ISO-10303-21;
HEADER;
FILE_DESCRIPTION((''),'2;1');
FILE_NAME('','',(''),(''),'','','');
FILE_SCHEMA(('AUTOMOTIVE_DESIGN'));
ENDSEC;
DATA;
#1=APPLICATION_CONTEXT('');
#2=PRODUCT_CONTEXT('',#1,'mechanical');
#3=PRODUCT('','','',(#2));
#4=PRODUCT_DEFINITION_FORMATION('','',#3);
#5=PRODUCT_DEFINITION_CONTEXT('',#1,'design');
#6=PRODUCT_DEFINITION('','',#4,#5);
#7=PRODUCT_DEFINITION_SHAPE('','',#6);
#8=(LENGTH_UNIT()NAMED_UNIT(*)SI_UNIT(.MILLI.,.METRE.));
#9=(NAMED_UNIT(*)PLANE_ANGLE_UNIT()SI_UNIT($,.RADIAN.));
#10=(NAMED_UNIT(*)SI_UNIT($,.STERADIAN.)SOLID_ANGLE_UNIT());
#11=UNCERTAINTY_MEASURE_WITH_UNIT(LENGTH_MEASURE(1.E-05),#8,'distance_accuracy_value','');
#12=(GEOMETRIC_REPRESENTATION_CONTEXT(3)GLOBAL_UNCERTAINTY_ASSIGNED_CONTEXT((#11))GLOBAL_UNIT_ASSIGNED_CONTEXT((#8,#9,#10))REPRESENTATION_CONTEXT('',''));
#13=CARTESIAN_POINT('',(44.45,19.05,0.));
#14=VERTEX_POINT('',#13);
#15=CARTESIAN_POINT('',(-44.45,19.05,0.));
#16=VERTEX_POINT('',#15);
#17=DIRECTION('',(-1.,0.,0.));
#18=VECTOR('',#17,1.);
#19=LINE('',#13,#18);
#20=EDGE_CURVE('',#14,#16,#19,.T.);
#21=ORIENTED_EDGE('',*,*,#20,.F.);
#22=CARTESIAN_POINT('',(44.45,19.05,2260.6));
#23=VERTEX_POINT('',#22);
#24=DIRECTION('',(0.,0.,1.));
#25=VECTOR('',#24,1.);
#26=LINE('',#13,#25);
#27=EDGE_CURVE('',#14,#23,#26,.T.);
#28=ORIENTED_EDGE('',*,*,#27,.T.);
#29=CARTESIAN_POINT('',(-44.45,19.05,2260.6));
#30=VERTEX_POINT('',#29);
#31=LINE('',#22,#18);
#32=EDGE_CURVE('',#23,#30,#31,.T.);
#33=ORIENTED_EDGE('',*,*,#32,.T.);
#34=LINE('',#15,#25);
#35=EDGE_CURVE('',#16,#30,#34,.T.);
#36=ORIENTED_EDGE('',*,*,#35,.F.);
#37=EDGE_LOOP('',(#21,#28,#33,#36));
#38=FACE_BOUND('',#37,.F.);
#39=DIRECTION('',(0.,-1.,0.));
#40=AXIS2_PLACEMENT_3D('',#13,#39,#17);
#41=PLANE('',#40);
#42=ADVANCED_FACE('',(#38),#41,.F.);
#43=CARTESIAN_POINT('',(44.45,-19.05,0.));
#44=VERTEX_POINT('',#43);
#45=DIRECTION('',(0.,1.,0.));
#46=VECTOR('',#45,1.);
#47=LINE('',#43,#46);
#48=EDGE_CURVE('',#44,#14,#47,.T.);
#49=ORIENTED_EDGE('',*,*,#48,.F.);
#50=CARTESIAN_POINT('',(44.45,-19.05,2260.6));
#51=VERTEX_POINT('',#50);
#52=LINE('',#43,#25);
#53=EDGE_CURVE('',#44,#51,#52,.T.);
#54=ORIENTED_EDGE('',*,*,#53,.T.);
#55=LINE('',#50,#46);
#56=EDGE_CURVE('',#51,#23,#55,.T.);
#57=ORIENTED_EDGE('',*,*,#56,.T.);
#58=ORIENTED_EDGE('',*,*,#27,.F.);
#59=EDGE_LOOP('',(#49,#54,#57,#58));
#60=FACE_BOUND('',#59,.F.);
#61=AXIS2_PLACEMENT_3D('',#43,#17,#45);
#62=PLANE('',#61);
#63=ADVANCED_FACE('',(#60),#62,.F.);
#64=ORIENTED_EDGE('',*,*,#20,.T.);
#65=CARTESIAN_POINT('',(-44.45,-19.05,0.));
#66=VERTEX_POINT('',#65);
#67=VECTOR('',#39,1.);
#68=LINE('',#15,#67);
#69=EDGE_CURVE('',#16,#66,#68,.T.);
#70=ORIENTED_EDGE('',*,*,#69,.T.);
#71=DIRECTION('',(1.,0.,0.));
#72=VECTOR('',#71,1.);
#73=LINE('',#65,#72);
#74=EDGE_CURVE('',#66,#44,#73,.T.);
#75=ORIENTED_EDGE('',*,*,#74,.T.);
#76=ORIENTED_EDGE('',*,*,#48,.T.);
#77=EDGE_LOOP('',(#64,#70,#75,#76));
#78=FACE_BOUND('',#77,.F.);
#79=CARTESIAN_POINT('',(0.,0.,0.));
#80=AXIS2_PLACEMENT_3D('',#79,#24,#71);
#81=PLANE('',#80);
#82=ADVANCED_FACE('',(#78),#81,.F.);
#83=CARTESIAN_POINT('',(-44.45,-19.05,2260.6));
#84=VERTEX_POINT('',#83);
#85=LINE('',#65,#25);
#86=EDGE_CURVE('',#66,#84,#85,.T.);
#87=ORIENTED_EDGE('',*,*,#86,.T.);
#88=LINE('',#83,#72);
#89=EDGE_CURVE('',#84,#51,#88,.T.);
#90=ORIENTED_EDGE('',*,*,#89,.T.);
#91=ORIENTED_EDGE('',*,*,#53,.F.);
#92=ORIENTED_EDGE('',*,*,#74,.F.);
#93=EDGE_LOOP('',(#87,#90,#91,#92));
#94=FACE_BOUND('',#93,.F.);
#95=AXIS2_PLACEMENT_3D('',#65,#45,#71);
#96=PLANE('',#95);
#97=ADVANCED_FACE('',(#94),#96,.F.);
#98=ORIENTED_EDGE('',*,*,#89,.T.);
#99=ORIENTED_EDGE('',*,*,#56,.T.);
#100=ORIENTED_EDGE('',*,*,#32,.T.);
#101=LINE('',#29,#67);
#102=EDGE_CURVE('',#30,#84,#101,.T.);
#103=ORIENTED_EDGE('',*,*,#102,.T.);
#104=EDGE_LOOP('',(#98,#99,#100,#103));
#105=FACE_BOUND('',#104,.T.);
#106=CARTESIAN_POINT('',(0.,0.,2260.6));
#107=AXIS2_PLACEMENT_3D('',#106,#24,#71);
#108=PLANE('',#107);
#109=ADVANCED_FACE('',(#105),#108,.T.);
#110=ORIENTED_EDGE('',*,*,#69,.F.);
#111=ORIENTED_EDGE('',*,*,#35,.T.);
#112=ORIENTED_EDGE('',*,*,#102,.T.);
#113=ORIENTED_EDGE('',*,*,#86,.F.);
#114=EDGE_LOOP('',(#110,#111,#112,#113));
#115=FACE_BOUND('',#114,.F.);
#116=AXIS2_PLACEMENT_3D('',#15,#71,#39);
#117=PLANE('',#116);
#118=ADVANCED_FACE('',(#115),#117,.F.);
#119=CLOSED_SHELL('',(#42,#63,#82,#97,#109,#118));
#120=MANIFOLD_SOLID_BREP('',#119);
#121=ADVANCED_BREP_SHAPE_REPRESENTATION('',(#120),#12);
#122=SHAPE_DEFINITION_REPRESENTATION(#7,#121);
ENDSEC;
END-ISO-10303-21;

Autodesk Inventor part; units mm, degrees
ref_plane "YZ Plane" through (0, 0, 0) normal (1, 0, 0) x (0, 1, 0)
ref_plane "XZ Plane" through (0, 0, 0) normal (0, 1, 0) x (-1, 0, 0)
ref_plane "XY Plane" through (0, 0, 0) normal (0, 0, 1) x (1, 0, 0)
sketch "Sketch1" plane through (0, 0, 0) normal (0, 0, 1) x (1, 0, 0)
  line L0 (-44.45, -19.05) -> (44.45, -19.05)
  line L1 (44.45, -19.05) -> (44.45, 19.05)
  line L2 (44.45, 19.05) -> (-44.45, 19.05)
  line L3 (-44.45, 19.05) -> (-44.45, -19.05)
  line L4 (-44.45, -19.05) -> (44.45, 19.05) construction
  line L5 (44.45, -19.05) -> (-44.45, 19.05) construction
  point P0 (0, 0)
  dimension "d0" = 88.9
  dimension "d1" = 38.1
extrude "Extrusion1" add sketch "Sketch1" along normal blind 2260.6
properties part number "2x4x89"
